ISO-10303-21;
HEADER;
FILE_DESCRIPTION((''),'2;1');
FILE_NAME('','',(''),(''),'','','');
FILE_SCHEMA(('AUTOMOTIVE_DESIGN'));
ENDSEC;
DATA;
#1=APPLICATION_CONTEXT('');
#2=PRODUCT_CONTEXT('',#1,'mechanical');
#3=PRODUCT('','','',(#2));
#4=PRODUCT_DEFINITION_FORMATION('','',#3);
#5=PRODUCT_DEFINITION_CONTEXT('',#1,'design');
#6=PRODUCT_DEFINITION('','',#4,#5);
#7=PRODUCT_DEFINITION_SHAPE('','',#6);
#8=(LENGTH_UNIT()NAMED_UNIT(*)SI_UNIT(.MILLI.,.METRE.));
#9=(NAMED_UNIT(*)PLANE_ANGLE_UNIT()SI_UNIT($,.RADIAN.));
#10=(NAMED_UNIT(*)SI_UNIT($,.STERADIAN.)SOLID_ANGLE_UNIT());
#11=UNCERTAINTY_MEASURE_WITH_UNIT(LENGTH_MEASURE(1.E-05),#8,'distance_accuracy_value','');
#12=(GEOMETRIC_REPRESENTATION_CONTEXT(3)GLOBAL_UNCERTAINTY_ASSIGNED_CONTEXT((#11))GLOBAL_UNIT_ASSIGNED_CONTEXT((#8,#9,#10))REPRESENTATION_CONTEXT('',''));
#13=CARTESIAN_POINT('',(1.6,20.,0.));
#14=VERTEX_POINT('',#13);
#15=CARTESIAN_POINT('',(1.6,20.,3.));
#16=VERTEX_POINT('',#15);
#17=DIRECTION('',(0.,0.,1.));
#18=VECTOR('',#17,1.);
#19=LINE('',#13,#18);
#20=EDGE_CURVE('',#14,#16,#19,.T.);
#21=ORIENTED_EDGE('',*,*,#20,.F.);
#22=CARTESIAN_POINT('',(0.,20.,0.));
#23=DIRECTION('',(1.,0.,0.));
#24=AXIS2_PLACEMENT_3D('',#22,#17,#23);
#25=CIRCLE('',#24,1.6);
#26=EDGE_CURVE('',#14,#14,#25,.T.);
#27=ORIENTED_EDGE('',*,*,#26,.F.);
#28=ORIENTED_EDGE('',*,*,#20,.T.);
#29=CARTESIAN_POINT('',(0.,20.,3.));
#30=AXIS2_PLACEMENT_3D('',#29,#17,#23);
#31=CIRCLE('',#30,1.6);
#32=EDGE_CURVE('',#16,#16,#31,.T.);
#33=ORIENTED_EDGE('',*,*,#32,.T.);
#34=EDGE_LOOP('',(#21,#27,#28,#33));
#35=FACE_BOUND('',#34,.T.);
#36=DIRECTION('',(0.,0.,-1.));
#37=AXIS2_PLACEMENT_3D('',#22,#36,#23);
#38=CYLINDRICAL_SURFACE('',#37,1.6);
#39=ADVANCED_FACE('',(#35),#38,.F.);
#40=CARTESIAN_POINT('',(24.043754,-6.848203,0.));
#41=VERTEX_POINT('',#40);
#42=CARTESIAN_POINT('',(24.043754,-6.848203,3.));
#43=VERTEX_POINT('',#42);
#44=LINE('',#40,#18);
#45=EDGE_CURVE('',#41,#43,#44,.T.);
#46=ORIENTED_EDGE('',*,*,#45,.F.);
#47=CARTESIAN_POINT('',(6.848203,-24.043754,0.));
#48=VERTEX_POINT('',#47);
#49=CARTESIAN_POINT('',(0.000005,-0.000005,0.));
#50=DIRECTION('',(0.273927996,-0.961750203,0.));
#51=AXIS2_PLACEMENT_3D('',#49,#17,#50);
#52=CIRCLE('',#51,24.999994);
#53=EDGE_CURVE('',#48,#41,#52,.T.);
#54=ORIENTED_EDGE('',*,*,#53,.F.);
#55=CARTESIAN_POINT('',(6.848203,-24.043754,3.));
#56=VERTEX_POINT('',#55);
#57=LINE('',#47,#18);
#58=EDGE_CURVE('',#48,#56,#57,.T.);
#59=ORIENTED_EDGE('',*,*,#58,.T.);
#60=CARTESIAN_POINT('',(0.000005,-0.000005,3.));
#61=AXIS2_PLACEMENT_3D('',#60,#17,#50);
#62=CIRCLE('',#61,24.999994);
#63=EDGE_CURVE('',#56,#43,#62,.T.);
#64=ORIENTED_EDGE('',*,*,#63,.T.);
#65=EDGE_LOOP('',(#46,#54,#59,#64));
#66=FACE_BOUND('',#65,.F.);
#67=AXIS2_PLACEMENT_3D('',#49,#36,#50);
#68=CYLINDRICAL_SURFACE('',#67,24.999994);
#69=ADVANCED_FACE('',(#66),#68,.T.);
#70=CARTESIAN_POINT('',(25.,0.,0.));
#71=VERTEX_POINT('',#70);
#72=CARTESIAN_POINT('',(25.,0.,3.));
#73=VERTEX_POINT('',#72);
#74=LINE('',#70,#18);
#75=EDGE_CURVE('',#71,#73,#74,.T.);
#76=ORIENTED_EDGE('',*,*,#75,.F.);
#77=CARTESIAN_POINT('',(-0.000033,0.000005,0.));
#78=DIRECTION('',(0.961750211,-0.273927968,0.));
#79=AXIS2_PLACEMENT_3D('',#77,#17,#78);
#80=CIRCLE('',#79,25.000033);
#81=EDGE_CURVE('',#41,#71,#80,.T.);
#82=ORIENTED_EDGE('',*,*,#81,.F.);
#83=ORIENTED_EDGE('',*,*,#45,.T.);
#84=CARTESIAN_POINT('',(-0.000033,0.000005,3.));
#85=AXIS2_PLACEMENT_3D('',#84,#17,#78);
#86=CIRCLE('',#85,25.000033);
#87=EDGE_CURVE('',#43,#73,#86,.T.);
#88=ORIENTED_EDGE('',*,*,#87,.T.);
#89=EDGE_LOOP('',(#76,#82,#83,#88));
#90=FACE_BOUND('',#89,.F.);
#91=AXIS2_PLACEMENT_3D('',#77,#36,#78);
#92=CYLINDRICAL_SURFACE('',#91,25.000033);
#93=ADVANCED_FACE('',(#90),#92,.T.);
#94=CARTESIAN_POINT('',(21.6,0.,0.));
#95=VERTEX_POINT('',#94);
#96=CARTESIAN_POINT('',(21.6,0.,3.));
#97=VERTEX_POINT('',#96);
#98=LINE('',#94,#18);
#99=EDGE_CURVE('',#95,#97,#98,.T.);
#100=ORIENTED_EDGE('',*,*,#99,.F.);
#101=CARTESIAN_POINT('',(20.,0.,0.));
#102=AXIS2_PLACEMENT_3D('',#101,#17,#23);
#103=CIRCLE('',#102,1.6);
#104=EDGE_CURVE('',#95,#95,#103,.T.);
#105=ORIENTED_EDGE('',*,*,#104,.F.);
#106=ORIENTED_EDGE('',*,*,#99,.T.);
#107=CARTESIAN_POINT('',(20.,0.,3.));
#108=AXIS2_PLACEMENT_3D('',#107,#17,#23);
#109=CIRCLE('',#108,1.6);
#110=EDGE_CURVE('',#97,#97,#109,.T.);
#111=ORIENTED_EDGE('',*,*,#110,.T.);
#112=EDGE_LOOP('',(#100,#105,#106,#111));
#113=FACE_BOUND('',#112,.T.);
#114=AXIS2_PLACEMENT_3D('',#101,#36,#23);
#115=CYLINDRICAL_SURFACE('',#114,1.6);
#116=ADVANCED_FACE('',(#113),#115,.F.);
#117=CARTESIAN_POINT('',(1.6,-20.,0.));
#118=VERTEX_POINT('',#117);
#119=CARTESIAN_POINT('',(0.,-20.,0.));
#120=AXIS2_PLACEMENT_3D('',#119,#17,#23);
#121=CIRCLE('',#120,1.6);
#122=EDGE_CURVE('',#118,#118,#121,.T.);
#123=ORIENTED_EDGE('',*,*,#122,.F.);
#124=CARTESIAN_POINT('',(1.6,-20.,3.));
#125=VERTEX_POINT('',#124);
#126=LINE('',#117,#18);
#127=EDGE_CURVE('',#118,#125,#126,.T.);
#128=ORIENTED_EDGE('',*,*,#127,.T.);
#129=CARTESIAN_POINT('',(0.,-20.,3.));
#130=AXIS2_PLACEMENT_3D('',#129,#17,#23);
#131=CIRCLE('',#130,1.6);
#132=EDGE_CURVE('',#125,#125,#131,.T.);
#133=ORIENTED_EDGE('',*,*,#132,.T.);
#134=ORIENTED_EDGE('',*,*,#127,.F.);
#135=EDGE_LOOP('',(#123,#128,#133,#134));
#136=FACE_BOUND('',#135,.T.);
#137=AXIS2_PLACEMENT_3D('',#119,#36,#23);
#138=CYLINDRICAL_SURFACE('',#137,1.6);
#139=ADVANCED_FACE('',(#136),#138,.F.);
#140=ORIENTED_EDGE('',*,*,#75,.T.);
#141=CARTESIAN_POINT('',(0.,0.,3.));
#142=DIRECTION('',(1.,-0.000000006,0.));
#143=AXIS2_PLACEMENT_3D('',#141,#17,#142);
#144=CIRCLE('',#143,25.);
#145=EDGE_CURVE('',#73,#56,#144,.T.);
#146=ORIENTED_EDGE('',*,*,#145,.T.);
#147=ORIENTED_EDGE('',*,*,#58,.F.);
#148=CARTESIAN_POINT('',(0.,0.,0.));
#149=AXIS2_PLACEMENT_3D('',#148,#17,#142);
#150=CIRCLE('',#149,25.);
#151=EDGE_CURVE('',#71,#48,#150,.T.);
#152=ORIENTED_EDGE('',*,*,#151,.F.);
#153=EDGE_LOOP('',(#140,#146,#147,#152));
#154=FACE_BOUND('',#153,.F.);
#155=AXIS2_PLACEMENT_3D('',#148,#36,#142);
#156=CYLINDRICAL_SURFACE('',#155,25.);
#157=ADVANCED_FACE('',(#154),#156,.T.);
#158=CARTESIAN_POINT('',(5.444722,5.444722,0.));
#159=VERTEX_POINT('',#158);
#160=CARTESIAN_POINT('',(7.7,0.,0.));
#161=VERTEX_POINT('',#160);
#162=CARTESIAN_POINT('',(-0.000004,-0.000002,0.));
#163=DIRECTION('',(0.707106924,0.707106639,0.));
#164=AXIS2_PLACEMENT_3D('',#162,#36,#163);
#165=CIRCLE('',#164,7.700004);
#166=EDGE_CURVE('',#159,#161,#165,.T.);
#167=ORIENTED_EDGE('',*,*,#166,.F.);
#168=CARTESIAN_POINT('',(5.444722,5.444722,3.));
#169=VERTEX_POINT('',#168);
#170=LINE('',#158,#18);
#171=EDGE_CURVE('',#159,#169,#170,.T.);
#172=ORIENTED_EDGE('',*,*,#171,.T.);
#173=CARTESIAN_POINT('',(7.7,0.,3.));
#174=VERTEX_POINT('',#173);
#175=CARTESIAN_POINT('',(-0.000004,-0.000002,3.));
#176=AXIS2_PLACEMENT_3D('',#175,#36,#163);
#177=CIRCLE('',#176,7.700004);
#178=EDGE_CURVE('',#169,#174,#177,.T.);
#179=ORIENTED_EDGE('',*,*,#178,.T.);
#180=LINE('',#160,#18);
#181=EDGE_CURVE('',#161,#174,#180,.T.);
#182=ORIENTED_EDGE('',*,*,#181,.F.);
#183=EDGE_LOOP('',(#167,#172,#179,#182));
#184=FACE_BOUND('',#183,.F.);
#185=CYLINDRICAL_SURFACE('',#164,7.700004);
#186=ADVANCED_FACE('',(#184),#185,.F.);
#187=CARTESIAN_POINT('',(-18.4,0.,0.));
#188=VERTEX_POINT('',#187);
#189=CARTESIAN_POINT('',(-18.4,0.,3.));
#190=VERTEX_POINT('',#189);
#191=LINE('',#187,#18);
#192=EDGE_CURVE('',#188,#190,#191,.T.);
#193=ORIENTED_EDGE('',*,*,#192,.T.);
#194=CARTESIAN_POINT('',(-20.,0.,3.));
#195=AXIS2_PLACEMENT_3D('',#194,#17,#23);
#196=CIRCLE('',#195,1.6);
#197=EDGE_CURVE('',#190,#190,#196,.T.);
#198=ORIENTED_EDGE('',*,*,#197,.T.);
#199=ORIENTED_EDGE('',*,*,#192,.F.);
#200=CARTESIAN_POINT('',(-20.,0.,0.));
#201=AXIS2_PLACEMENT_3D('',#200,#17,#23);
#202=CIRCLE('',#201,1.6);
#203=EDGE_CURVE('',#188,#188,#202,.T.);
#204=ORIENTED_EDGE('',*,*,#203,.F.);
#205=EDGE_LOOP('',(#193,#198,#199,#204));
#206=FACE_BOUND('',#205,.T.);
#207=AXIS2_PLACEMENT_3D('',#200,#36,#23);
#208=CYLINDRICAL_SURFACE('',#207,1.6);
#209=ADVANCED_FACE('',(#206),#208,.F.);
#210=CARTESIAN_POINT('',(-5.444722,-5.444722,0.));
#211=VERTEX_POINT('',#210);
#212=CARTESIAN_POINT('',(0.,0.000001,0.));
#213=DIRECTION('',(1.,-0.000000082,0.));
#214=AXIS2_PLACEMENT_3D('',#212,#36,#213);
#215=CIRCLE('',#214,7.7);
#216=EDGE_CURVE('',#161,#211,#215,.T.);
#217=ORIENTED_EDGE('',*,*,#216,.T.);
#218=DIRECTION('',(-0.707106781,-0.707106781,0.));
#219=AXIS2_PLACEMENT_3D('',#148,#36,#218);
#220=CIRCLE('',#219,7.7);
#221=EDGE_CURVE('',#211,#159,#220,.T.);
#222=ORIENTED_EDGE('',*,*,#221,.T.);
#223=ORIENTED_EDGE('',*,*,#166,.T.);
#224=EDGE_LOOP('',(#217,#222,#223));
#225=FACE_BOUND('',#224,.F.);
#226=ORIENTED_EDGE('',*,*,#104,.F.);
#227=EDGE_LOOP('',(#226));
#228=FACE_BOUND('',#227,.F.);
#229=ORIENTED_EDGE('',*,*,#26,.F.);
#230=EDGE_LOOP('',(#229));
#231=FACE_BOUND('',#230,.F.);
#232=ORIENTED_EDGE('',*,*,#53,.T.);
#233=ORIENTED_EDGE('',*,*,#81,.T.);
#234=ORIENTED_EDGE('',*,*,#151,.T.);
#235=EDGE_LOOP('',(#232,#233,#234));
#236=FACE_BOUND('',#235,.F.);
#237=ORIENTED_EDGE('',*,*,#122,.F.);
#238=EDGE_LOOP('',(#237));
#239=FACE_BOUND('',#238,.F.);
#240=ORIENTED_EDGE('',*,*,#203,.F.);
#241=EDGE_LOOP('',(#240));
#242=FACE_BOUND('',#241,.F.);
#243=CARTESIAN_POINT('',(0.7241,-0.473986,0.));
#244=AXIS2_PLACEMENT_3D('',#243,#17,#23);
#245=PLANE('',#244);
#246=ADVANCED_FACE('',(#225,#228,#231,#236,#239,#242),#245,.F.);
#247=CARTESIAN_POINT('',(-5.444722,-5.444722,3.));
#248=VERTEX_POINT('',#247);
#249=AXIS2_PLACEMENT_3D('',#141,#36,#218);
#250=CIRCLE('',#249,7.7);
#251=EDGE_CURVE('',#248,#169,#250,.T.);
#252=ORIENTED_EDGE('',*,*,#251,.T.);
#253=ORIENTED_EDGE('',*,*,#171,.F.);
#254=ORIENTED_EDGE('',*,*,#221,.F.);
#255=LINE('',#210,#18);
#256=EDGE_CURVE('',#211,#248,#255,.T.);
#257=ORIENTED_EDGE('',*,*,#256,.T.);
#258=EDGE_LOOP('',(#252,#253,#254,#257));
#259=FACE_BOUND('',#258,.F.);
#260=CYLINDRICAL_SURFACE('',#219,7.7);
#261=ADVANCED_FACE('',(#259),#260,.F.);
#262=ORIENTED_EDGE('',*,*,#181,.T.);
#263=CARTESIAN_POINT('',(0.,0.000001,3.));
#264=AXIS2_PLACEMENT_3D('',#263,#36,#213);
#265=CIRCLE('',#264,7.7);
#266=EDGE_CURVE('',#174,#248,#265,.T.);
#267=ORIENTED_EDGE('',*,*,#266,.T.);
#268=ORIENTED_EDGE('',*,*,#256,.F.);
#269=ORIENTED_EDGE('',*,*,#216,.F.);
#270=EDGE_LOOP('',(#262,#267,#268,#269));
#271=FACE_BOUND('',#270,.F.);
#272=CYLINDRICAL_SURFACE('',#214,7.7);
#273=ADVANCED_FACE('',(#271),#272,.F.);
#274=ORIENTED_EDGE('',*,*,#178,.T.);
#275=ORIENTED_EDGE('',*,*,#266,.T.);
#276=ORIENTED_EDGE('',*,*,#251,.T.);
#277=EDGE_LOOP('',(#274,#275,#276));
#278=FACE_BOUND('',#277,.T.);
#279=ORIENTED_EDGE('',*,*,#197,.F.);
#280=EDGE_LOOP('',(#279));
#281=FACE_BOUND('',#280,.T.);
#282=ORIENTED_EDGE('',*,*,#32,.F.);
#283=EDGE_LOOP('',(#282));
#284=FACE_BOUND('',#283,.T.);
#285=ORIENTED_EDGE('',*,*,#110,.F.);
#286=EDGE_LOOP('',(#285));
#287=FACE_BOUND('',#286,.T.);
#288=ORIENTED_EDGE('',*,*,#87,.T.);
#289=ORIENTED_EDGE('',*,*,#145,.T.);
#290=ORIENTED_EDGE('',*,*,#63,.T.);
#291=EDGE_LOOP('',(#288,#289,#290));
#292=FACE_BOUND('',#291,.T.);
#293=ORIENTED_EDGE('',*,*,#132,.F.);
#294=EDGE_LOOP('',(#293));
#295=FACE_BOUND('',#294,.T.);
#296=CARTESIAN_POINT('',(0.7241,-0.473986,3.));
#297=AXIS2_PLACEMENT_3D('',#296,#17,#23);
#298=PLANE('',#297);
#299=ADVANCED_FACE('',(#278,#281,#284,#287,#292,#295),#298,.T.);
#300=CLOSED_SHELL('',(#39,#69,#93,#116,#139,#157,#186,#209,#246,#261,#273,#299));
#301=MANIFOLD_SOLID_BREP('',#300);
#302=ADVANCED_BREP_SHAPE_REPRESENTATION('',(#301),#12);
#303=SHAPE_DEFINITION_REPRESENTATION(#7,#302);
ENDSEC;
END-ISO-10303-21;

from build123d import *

# Parameters (mm, degrees)
F0_R     = 1.6
F1_DEPTH = 3


with BuildPart() as f1:
    # F0 (on Top) → F1 (new body)
    with BuildSketch(Plane.XY):
        with BuildLine():
            ThreePointArc((19.037183, -8.147739), (21.912225, -8.930193), (24.043754, -6.848203))
            ThreePointArc((24.043754, -6.848203), (24.759784, -3.457322), (25, 0))
            ThreePointArc((25, 0), (-19.952507, 15.063116), (6.848203, -24.043754))
            ThreePointArc((6.848203, -24.043754), (8.930193, -21.912225), (8.147739, -19.037183))
            Line((8.147739, -19.037183), (-5.444722, -5.444722))
            ThreePointArc((-5.444722, -5.444722), (-5.444722, 5.444722), (5.444722, 5.444722))
            Line((5.444722, 5.444722), (19.037183, -8.147739))
        make_face()
        with Locations((0, -20)):
            Circle(F0_R, mode=Mode.SUBTRACT)
        with Locations((-20, 0)):
            Circle(F0_R, mode=Mode.SUBTRACT)
        with Locations((20, 0)):
            Circle(F0_R, mode=Mode.SUBTRACT)
        with Locations((0, 20)):
            Circle(F0_R, mode=Mode.SUBTRACT)
        with BuildLine():
            ThreePointArc((6.848203, -24.043754), (17.67767, -17.67767), (24.043754, -6.848203))
            ThreePointArc((24.043754, -6.848203), (21.912225, -8.930193), (19.037183, -8.147739))
            Line((19.037183, -8.147739), (5.444722, 5.444722))
            ThreePointArc((5.444722, 5.444722), (7.113872, 2.946662), (7.7, 0))
            ThreePointArc((7.7, 0), (2.946662, -7.113872), (-5.444722, -5.444722))
            Line((-5.444722, -5.444722), (8.147739, -19.037183))
            ThreePointArc((8.147739, -19.037183), (8.930193, -21.912225), (6.848203, -24.043754))
        make_face()
    extrude(amount=F1_DEPTH)


solid = f1.part
